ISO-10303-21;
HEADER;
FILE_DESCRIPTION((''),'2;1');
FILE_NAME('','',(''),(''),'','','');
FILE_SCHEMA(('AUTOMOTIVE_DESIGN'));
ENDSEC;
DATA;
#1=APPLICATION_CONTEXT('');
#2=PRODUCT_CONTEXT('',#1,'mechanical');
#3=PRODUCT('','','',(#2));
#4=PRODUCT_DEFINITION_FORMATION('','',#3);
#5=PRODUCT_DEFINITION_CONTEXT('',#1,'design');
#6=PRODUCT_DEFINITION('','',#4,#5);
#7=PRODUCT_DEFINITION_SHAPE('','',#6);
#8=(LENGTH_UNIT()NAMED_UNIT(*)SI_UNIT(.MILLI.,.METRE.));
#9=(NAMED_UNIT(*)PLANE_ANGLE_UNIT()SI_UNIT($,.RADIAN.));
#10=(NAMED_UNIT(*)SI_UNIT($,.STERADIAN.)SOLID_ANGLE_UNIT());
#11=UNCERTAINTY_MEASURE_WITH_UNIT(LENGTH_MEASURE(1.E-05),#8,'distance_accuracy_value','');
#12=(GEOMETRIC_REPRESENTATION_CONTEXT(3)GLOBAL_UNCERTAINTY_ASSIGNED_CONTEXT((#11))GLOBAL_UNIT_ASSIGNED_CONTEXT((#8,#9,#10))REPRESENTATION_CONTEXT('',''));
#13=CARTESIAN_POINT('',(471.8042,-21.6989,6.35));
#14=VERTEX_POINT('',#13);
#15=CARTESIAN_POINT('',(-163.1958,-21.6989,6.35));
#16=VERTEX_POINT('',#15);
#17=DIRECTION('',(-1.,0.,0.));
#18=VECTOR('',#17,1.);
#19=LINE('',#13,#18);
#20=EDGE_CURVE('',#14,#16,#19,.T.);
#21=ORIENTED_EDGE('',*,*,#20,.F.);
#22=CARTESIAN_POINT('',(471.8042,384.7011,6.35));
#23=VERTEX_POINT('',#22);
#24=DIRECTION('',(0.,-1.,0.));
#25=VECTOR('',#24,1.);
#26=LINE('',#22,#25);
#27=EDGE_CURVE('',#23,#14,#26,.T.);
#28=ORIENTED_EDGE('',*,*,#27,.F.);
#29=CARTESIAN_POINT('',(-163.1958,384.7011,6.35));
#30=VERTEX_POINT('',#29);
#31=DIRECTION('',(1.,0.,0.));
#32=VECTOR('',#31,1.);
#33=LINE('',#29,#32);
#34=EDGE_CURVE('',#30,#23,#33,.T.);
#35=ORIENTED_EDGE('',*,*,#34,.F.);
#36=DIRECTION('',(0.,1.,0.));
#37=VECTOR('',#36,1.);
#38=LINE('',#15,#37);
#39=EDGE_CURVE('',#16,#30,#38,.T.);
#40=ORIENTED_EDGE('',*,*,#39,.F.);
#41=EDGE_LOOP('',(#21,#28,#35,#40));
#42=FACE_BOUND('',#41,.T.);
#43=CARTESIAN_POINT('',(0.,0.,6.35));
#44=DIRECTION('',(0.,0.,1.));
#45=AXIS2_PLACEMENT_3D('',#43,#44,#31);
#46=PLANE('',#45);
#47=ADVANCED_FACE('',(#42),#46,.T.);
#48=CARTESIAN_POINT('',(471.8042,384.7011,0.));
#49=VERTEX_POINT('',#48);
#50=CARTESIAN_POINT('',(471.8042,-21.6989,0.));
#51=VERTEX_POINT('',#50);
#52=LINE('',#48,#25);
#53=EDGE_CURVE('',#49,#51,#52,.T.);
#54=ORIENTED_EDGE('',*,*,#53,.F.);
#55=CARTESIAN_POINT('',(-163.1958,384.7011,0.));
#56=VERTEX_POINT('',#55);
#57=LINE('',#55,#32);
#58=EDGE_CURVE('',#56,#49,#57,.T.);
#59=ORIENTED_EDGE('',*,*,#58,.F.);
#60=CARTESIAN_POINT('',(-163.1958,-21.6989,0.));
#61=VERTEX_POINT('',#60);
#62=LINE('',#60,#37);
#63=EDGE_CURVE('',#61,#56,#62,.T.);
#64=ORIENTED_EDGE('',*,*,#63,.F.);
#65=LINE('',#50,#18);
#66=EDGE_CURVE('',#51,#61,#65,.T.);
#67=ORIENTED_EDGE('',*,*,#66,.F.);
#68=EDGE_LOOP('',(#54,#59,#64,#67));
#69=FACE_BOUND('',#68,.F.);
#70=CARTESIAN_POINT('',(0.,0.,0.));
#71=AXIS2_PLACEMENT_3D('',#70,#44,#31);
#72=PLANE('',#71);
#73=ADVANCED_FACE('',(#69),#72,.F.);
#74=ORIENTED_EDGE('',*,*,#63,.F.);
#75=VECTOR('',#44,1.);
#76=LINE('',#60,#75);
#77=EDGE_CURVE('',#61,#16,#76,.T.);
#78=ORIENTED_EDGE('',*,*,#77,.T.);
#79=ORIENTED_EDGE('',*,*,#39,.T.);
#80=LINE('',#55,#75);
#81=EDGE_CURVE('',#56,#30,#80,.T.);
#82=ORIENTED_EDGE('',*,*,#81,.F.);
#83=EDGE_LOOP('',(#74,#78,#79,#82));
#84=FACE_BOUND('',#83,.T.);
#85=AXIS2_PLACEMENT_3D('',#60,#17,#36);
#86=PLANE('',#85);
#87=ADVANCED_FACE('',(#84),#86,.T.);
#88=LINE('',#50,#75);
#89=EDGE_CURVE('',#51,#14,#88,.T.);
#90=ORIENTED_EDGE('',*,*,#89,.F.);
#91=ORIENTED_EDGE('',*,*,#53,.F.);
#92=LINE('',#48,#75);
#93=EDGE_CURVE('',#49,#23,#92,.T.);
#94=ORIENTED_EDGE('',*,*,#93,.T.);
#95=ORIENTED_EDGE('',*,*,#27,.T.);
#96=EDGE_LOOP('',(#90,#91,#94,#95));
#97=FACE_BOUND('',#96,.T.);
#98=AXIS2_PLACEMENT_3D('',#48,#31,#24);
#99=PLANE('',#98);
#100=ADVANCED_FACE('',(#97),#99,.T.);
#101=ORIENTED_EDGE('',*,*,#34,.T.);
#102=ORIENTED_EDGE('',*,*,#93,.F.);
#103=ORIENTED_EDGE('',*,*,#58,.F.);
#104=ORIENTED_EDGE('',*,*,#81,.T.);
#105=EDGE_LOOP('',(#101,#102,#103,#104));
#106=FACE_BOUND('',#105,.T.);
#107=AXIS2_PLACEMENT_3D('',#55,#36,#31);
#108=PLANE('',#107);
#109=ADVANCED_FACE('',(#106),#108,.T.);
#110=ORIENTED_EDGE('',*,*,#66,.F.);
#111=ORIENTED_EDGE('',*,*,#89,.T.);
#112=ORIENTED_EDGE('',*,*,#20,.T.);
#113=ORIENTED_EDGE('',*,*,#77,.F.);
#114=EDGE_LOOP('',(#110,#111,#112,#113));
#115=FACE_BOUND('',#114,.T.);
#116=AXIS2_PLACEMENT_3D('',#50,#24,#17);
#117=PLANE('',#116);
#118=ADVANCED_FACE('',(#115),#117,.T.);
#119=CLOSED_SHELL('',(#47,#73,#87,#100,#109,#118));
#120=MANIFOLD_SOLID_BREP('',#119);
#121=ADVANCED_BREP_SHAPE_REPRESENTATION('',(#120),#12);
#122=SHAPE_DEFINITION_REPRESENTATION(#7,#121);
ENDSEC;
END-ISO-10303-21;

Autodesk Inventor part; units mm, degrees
ref_plane "YZ Plane" through (0, 0, 0) normal (1, 0, 0) x (0, 1, 0)
ref_plane "XZ Plane" through (0, 0, 0) normal (0, 1, 0) x (-1, 0, 0)
ref_plane "XY Plane" through (0, 0, 0) normal (0, 0, 1) x (1, 0, 0)
sketch "Sketch1" plane through (0, 0, 0) normal (0, 0, 1) x (1, 0, 0)
  line L0 (-163.1958, -21.6989) -> (-163.1958, 384.7011)
  line L1 (-163.1958, 384.7011) -> (471.8042, 384.7011)
  line L2 (471.8042, 384.7011) -> (471.8042, -21.6989)
  line L3 (471.8042, -21.6989) -> (-163.1958, -21.6989)
  point P0 (0, 0)
  dimension "d0" = 635
  dimension "d1" = 635
  dimension "d2" = 406.4
extrude "Extrusion1" add sketch "Sketch1" along normal blind 6.35
properties part number "ElectronicsBoardConcept"
